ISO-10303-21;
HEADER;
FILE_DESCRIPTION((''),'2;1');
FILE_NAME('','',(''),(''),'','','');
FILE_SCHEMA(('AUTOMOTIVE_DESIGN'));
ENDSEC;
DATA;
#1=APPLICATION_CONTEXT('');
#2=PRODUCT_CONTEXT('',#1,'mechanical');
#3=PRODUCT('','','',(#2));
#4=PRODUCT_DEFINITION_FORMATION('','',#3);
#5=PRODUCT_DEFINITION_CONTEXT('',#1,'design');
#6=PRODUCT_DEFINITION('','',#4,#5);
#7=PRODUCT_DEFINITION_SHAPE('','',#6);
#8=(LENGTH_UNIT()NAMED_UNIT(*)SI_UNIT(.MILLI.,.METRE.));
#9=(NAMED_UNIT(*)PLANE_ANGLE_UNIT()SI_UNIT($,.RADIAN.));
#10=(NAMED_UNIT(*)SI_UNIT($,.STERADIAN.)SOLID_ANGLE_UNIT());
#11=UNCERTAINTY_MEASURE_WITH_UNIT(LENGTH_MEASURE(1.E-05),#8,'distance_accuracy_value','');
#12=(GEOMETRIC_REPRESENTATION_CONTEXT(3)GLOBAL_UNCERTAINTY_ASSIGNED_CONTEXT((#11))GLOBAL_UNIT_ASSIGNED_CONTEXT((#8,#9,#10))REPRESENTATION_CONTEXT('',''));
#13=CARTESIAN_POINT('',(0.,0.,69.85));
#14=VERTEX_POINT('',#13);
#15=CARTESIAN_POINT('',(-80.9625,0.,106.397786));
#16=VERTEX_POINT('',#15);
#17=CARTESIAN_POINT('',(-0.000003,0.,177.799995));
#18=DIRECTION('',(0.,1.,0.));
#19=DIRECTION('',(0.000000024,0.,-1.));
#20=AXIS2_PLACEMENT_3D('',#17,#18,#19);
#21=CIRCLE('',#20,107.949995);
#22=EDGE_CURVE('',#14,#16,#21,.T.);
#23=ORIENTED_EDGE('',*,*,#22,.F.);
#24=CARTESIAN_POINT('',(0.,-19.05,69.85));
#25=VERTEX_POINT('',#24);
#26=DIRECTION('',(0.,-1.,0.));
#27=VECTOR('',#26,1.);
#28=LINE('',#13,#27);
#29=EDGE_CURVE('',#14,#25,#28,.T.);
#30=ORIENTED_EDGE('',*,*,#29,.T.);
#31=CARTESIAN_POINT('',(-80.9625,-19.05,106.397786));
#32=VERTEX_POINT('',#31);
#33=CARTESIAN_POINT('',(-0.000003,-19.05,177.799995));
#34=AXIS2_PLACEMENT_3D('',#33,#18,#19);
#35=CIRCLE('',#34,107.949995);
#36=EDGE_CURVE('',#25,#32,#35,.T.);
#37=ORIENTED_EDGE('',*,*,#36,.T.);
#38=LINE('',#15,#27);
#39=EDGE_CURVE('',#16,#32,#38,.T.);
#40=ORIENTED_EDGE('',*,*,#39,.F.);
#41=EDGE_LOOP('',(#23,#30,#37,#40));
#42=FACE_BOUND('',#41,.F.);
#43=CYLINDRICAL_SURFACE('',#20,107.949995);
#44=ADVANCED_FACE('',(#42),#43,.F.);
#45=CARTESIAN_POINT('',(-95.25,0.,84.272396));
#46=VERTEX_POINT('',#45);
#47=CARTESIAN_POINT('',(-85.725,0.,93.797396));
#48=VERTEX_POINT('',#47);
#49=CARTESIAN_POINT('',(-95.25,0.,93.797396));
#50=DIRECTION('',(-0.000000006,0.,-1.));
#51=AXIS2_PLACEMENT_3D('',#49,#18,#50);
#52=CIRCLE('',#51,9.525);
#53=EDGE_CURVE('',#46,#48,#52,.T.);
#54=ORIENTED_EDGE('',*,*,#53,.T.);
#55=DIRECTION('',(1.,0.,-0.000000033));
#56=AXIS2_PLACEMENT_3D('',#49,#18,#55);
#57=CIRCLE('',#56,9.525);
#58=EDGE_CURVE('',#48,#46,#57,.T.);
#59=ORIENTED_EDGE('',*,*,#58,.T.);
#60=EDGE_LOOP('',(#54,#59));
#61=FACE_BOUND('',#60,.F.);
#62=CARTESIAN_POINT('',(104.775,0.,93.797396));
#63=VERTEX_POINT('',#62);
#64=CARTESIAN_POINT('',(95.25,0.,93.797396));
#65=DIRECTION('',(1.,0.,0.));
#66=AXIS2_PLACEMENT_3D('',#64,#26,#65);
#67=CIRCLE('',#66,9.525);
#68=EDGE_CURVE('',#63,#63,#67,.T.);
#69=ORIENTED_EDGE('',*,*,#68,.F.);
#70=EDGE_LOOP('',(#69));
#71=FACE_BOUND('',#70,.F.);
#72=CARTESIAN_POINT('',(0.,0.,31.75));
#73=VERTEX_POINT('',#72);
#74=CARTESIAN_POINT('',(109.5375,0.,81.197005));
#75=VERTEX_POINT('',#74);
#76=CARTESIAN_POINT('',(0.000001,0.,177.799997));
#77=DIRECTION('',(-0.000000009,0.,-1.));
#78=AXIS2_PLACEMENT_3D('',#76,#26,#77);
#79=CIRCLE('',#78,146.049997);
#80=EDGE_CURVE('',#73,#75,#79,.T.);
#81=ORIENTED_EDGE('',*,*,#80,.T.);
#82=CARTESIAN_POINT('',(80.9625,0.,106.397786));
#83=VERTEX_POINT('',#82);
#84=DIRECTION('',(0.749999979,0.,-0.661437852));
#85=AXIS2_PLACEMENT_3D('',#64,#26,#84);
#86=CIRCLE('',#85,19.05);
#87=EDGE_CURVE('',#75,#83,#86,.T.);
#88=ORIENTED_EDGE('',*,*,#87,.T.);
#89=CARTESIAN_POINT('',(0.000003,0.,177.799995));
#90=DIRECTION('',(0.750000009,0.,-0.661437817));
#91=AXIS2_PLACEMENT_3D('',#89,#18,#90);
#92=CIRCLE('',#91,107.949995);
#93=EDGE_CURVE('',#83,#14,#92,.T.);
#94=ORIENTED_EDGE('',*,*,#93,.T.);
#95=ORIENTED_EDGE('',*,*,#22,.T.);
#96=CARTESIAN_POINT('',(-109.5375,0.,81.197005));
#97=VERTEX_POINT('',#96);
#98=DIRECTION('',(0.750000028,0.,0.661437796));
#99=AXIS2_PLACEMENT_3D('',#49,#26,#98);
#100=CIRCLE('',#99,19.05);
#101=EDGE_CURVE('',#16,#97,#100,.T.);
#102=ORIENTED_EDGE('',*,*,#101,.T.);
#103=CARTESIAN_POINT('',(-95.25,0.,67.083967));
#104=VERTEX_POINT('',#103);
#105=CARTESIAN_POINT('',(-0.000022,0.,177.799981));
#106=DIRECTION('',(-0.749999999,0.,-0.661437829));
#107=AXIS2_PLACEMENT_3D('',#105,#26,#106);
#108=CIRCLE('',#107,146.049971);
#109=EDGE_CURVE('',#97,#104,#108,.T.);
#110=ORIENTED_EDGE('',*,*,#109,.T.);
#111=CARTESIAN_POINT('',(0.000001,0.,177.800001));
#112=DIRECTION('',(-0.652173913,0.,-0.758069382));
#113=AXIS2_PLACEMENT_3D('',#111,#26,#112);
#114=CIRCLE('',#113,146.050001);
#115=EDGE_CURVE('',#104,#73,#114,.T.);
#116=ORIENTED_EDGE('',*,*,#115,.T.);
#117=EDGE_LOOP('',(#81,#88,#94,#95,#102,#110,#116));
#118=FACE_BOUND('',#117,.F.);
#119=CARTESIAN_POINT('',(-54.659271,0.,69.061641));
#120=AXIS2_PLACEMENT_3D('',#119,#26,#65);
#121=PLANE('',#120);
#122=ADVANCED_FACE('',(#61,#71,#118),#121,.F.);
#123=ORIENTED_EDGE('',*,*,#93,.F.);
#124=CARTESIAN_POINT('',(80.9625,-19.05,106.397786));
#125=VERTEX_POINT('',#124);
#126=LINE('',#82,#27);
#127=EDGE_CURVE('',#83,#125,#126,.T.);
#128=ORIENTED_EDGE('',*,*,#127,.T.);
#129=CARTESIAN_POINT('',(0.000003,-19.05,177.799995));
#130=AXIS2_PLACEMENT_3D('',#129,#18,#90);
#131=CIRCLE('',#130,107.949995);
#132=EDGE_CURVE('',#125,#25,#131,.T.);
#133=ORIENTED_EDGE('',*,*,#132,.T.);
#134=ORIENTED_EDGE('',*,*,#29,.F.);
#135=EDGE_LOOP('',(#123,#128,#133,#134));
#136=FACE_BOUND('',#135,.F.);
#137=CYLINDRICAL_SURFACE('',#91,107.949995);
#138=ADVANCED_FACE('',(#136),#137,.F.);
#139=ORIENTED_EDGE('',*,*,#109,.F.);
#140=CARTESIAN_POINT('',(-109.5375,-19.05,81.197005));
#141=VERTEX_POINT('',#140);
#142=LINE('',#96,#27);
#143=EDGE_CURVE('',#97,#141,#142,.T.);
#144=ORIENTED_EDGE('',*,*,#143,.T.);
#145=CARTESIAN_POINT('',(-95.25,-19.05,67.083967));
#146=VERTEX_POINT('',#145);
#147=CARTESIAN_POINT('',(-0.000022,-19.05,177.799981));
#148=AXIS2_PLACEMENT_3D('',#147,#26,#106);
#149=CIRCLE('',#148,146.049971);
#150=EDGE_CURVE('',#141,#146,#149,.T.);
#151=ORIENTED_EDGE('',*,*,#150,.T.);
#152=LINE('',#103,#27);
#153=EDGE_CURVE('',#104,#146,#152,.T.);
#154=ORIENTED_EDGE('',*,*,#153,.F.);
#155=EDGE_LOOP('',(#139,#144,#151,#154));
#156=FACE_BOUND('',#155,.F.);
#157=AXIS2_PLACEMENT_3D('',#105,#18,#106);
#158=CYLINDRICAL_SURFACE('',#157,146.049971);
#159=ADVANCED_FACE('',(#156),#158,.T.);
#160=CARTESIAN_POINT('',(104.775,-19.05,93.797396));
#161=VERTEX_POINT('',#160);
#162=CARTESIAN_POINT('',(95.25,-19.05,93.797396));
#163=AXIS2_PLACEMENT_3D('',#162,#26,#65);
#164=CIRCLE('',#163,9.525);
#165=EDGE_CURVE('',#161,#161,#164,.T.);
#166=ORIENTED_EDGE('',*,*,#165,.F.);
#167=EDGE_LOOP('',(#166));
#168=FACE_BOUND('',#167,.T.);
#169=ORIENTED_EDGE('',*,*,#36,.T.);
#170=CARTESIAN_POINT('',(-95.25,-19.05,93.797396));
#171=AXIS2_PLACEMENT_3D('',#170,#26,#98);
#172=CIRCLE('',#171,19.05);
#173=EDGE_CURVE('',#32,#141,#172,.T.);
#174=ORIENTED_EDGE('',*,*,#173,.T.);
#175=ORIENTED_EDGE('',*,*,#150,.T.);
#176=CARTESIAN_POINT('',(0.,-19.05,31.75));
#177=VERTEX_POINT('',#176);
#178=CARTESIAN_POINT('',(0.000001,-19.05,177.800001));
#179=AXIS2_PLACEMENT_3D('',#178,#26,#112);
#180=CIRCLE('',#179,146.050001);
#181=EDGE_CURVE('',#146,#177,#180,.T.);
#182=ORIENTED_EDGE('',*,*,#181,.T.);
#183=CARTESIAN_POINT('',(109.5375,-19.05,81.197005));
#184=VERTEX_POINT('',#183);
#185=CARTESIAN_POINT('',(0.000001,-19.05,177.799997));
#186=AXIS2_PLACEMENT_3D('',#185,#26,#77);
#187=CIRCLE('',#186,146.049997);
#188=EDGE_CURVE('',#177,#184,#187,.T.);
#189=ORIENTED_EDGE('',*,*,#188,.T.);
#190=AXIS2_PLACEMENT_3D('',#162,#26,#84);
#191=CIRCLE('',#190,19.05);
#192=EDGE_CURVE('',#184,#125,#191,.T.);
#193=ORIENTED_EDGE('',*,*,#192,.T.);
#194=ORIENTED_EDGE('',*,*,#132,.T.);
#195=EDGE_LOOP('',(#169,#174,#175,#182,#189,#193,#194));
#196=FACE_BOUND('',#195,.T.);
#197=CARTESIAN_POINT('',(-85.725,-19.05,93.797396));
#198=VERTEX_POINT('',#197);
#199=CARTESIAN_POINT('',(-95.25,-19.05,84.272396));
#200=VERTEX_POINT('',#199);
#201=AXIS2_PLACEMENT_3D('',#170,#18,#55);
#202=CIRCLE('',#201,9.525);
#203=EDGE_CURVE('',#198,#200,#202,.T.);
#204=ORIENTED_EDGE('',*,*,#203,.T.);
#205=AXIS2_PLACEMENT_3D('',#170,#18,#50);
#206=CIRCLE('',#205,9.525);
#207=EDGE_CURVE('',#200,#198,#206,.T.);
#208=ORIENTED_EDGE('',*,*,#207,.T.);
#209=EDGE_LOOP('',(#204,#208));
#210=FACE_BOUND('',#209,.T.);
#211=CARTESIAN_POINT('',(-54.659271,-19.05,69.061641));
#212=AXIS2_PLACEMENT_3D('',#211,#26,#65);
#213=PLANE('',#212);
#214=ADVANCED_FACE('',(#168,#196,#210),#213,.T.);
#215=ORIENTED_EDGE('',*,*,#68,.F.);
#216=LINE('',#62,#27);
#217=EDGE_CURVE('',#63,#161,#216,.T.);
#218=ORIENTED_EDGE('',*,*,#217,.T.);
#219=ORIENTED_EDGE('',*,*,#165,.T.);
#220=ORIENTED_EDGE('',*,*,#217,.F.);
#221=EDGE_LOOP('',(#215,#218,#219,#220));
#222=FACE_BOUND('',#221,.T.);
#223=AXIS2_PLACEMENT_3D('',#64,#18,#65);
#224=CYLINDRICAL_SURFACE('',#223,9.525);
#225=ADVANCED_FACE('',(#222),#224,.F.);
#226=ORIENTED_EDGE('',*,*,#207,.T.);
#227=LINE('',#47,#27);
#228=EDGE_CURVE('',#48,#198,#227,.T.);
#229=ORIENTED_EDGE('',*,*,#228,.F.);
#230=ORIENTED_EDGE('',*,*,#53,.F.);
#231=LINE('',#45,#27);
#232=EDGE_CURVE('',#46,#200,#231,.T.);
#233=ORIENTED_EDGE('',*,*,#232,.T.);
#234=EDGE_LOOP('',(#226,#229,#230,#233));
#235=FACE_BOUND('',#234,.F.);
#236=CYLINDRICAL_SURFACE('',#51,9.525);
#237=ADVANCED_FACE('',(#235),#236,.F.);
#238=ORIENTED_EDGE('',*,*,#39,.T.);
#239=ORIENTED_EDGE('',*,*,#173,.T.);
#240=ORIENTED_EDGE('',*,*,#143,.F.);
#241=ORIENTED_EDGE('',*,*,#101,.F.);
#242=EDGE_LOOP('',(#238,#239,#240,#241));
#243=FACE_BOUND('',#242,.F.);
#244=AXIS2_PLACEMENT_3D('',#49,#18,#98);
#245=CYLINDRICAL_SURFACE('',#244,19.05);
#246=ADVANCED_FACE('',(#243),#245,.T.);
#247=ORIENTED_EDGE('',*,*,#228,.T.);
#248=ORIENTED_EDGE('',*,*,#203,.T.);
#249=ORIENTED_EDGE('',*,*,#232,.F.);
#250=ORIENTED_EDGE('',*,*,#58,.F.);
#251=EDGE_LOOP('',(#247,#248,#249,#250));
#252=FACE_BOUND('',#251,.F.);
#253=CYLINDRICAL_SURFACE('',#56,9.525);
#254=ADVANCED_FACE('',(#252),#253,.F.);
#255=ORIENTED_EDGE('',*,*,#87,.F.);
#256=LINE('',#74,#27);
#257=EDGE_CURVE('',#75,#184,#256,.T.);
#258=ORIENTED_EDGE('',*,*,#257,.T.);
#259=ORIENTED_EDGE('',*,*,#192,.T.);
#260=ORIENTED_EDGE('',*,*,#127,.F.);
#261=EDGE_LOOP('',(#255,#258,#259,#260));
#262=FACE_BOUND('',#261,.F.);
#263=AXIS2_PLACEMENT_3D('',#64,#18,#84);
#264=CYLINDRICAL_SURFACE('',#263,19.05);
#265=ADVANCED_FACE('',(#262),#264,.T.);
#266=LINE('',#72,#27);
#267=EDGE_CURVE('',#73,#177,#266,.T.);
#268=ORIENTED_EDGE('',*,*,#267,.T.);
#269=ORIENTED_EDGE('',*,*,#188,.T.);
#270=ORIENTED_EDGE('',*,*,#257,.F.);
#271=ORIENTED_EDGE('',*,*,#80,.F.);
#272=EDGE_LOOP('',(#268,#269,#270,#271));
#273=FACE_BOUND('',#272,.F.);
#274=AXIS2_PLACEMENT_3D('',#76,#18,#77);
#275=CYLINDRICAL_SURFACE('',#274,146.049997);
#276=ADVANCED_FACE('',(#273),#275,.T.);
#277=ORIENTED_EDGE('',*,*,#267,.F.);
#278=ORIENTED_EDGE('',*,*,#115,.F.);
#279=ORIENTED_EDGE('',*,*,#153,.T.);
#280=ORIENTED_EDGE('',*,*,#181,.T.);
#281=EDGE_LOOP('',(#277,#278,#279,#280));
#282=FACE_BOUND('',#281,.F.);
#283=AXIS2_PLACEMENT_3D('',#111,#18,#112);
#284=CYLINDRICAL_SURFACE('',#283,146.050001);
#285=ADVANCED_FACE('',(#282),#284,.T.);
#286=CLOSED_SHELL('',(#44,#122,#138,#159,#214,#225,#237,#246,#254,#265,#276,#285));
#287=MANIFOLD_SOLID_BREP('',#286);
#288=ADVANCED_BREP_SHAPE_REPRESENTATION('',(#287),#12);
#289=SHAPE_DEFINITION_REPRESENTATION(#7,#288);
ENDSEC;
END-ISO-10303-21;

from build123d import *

# Parameters (mm, degrees)
F0_R     = 9.525
F1_DEPTH = 19.05


with BuildPart() as f1:
    # F0 (on Front) → F1 (new body)
    with BuildSketch(Plane.XZ):
        with BuildLine():
            ThreePointArc((-95.25, 67.083967), (-50.796289, 40.868121), (0, 31.75))
            Line((0, 31.75), (0, 69.85))
            ThreePointArc((0, 69.85), (-44.414714, 79.410286), (-80.9625, 106.397786))
            ThreePointArc((-80.9625, 106.397786), (-107.850391, 108.084896), (-109.5375, 81.197005))
            ThreePointArc((-109.5375, 81.197005), (-102.636614, 73.89462), (-95.25, 67.083967))
        make_face()
        with BuildLine():
            ThreePointArc((-85.725, 93.797396), (-88.514808, 87.062204), (-95.25, 84.272396))
            ThreePointArc((-95.25, 84.272396), (-101.985192, 100.532588), (-85.725, 93.797396))
        make_face(mode=Mode.SUBTRACT)
        with BuildLine():
            Line((0, 69.85), (0, 31.75))
            ThreePointArc((0, 31.75), (60.090495, 44.684505), (109.5375, 81.197005))
            ThreePointArc((109.5375, 81.197005), (107.850391, 108.084896), (80.9625, 106.397786))
            ThreePointArc((80.9625, 106.397786), (44.414714, 79.410286), (0, 69.85))
        make_face()
        with Locations((95.25, 93.797396)):
            Circle(F0_R, mode=Mode.SUBTRACT)
    extrude(amount=F1_DEPTH)


solid = f1.part
